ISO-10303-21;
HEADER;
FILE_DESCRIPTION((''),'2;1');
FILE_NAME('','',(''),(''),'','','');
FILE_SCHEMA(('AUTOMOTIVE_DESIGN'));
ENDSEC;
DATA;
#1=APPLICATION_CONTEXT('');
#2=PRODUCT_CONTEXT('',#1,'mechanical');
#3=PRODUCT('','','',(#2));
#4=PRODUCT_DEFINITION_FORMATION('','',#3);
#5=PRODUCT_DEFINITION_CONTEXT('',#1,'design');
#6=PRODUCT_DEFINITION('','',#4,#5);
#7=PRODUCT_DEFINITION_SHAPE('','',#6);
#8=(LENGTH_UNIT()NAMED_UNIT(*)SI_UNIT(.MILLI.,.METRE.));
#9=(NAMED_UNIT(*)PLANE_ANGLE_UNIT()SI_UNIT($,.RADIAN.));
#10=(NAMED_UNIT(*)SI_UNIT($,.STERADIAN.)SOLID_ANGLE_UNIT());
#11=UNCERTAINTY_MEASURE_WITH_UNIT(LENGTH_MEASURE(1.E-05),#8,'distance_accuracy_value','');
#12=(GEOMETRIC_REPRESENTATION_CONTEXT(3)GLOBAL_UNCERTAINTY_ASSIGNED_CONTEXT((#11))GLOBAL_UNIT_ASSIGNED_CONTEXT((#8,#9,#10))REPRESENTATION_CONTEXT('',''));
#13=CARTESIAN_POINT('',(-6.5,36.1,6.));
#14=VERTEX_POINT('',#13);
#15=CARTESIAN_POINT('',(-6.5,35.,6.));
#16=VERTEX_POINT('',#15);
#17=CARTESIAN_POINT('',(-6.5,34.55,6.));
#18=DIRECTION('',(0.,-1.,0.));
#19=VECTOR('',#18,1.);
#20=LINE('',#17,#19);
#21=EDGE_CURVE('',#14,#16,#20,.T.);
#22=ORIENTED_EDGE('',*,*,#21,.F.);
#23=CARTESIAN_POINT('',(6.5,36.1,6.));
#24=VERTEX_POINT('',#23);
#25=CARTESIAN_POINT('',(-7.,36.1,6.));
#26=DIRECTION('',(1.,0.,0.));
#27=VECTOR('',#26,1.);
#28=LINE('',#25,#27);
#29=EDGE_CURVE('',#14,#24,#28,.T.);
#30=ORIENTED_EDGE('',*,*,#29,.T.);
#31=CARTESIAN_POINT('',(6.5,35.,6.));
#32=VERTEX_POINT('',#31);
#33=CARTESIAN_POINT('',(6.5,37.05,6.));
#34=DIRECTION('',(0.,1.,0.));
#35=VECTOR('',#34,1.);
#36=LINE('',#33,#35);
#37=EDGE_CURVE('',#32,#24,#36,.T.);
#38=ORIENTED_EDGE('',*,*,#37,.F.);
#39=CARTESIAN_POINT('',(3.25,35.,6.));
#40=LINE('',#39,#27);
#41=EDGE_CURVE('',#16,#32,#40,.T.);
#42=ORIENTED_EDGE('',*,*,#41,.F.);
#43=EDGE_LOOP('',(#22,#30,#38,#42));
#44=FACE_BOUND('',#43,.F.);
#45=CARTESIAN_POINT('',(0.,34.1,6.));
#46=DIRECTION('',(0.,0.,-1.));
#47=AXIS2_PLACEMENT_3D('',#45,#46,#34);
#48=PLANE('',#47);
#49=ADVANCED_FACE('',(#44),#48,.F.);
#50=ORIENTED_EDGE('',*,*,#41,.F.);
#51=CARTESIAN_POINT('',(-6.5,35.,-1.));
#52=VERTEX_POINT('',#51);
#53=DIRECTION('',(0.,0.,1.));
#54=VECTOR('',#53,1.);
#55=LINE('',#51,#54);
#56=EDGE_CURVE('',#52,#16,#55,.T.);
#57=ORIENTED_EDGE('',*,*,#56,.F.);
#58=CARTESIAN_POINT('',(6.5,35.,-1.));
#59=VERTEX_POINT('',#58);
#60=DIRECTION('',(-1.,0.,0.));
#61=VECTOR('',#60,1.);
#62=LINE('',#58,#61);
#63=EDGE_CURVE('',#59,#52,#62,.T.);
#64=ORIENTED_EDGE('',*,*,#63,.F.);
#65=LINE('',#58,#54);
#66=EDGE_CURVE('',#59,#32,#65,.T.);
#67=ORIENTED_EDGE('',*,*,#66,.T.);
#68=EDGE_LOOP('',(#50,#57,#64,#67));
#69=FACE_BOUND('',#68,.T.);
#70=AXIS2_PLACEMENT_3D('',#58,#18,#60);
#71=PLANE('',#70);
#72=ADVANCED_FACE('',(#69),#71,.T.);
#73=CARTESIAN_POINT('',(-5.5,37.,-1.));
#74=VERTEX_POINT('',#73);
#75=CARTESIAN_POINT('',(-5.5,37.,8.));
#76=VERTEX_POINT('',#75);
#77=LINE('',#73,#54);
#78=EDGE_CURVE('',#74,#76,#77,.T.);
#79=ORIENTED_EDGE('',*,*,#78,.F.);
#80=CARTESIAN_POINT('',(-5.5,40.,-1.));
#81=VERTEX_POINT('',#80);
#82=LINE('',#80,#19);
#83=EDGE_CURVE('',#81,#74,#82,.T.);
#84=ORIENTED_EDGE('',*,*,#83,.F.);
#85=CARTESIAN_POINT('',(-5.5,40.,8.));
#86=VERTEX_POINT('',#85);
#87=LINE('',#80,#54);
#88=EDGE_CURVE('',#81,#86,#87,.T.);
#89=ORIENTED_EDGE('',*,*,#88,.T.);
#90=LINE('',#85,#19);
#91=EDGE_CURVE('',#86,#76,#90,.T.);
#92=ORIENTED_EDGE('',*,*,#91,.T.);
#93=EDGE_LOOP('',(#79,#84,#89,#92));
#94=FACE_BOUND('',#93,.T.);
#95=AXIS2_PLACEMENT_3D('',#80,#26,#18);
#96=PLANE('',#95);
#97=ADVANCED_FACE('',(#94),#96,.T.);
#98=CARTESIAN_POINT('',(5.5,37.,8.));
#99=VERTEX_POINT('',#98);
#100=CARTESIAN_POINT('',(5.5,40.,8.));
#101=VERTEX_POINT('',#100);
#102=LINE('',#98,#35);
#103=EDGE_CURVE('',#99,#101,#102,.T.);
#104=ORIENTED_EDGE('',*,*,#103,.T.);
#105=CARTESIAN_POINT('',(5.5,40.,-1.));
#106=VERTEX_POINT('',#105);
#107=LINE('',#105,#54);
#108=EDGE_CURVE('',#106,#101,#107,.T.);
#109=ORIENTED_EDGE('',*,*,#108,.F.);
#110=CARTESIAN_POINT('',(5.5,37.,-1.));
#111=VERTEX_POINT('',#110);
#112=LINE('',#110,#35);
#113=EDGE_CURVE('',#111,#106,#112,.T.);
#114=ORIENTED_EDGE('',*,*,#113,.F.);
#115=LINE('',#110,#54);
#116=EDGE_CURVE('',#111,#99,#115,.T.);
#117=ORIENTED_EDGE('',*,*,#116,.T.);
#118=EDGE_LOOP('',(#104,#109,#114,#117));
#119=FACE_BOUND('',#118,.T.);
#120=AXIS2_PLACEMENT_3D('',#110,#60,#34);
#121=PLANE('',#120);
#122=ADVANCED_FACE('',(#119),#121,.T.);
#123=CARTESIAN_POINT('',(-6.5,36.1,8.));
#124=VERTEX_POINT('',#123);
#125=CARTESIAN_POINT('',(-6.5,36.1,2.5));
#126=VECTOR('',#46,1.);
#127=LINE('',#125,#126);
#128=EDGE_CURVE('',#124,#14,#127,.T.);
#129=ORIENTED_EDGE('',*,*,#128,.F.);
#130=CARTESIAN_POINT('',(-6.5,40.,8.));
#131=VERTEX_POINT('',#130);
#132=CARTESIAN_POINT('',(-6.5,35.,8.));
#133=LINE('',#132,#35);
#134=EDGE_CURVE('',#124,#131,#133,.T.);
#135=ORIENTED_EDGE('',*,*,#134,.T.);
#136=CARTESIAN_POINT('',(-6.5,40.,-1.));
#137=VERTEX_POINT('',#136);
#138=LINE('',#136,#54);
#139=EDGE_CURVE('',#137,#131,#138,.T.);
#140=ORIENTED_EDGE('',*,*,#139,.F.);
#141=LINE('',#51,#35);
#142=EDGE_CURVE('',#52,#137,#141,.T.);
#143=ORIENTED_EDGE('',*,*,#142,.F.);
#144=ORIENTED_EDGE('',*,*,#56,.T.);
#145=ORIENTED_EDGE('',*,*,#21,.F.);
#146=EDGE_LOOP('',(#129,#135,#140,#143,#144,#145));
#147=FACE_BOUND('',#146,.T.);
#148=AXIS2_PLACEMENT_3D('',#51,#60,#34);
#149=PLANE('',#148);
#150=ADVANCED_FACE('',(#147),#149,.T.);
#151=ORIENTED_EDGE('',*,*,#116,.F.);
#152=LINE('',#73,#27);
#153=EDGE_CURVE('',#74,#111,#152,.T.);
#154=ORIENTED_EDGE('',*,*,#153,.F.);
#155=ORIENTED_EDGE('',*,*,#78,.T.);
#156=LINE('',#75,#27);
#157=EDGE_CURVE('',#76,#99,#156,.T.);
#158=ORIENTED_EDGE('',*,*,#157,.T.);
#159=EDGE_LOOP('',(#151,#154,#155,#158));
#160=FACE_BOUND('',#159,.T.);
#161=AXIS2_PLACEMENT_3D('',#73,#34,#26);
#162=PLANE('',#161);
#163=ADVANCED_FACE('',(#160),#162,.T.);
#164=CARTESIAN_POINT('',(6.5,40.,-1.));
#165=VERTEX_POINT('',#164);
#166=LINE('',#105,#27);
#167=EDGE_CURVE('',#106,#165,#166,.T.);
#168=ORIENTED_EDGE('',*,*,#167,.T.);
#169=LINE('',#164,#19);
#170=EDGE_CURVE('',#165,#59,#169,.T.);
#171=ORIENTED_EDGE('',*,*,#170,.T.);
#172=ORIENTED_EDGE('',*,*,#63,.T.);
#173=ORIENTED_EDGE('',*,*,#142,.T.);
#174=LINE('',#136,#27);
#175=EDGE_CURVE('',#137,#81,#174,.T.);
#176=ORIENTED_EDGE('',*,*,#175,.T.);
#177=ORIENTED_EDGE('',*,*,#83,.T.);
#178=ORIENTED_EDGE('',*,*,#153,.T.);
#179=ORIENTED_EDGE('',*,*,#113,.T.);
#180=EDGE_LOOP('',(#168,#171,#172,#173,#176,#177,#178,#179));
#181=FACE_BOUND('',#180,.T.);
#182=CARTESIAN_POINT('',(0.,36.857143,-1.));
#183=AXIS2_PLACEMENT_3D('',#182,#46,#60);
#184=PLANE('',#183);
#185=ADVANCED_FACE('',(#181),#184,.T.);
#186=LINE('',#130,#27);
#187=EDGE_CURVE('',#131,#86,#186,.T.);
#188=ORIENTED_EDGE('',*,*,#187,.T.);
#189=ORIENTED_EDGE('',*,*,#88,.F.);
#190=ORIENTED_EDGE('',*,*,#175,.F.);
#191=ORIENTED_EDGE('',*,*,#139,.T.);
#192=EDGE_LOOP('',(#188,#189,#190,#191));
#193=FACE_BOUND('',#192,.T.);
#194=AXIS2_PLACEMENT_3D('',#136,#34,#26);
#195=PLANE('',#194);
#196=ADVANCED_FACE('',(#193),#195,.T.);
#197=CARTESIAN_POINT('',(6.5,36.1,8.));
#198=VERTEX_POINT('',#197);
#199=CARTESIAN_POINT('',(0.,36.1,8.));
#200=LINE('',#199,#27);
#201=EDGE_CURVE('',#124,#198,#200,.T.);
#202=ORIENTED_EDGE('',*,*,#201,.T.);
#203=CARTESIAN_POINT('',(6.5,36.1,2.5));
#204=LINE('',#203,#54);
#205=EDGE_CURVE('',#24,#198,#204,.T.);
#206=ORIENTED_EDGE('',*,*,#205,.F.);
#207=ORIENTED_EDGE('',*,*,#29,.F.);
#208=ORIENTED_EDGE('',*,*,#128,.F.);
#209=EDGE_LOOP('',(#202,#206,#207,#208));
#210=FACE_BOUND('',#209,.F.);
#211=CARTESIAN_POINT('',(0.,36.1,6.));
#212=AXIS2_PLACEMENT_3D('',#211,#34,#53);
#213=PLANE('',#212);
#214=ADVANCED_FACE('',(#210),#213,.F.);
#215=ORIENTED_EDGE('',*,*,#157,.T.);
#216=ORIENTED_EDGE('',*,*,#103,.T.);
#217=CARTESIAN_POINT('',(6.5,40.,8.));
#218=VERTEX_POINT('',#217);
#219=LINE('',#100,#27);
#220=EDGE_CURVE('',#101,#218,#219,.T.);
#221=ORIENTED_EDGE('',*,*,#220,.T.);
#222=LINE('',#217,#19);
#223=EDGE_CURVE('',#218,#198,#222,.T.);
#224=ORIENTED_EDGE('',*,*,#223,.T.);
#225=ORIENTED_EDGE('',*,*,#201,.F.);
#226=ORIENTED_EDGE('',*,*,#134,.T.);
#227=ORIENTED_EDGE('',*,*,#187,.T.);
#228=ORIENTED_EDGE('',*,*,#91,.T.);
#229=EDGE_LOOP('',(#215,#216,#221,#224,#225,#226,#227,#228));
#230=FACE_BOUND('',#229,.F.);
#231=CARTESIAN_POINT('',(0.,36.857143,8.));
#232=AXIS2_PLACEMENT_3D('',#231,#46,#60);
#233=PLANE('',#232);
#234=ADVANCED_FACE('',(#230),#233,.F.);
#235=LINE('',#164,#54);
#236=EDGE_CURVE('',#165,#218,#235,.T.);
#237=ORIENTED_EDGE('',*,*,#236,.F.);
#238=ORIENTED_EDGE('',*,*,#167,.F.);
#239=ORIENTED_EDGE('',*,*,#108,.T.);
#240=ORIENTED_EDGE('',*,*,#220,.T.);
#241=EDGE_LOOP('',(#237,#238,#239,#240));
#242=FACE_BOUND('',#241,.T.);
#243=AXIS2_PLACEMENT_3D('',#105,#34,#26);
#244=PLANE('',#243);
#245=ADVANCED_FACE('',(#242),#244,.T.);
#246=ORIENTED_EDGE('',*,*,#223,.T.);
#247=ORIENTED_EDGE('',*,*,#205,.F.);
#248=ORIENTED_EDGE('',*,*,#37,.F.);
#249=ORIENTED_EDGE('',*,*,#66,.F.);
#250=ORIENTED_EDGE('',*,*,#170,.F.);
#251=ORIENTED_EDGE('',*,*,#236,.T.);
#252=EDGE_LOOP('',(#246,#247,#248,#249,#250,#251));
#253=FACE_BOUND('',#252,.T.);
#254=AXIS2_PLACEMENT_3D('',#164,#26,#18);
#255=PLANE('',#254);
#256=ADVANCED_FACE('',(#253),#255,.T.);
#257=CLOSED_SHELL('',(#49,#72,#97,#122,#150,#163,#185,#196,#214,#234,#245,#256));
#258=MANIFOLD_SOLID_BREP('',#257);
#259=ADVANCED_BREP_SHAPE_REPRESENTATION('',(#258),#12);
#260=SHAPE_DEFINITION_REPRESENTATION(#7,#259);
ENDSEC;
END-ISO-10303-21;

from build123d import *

# Parameters (mm, degrees)
SKETCH050_W      = 2
SKETCH050_H      = 3
EXTRUDE047_DEPTH = 7
EXTRUDE046_DEPTH = 9


with BuildPart() as extrude047:
    # Sketch050 → Extrude047 (new body, symmetric)
    with BuildSketch(Plane.YZ):
        with Locations((35.1, 7.5)):
            Rectangle(SKETCH050_W, SKETCH050_H)
    extrude(amount=EXTRUDE047_DEPTH, both=True)


with BuildPart() as cut040:
    # Sketch049 → Extrude046 (new body)
    with BuildSketch(Plane.XY.offset(-1)):
        Polygon((-5.5, 40), (-5.5, 37), (5.5, 37), (5.5, 40), (6.5, 40), (6.5, 35), (-6.5, 35), (-6.5, 40), align=None)
    extrude(amount=EXTRUDE046_DEPTH)

    # Cut040: cut Extrude047
    add(extrude047.part, mode=Mode.SUBTRACT)


solid = cut040.part
